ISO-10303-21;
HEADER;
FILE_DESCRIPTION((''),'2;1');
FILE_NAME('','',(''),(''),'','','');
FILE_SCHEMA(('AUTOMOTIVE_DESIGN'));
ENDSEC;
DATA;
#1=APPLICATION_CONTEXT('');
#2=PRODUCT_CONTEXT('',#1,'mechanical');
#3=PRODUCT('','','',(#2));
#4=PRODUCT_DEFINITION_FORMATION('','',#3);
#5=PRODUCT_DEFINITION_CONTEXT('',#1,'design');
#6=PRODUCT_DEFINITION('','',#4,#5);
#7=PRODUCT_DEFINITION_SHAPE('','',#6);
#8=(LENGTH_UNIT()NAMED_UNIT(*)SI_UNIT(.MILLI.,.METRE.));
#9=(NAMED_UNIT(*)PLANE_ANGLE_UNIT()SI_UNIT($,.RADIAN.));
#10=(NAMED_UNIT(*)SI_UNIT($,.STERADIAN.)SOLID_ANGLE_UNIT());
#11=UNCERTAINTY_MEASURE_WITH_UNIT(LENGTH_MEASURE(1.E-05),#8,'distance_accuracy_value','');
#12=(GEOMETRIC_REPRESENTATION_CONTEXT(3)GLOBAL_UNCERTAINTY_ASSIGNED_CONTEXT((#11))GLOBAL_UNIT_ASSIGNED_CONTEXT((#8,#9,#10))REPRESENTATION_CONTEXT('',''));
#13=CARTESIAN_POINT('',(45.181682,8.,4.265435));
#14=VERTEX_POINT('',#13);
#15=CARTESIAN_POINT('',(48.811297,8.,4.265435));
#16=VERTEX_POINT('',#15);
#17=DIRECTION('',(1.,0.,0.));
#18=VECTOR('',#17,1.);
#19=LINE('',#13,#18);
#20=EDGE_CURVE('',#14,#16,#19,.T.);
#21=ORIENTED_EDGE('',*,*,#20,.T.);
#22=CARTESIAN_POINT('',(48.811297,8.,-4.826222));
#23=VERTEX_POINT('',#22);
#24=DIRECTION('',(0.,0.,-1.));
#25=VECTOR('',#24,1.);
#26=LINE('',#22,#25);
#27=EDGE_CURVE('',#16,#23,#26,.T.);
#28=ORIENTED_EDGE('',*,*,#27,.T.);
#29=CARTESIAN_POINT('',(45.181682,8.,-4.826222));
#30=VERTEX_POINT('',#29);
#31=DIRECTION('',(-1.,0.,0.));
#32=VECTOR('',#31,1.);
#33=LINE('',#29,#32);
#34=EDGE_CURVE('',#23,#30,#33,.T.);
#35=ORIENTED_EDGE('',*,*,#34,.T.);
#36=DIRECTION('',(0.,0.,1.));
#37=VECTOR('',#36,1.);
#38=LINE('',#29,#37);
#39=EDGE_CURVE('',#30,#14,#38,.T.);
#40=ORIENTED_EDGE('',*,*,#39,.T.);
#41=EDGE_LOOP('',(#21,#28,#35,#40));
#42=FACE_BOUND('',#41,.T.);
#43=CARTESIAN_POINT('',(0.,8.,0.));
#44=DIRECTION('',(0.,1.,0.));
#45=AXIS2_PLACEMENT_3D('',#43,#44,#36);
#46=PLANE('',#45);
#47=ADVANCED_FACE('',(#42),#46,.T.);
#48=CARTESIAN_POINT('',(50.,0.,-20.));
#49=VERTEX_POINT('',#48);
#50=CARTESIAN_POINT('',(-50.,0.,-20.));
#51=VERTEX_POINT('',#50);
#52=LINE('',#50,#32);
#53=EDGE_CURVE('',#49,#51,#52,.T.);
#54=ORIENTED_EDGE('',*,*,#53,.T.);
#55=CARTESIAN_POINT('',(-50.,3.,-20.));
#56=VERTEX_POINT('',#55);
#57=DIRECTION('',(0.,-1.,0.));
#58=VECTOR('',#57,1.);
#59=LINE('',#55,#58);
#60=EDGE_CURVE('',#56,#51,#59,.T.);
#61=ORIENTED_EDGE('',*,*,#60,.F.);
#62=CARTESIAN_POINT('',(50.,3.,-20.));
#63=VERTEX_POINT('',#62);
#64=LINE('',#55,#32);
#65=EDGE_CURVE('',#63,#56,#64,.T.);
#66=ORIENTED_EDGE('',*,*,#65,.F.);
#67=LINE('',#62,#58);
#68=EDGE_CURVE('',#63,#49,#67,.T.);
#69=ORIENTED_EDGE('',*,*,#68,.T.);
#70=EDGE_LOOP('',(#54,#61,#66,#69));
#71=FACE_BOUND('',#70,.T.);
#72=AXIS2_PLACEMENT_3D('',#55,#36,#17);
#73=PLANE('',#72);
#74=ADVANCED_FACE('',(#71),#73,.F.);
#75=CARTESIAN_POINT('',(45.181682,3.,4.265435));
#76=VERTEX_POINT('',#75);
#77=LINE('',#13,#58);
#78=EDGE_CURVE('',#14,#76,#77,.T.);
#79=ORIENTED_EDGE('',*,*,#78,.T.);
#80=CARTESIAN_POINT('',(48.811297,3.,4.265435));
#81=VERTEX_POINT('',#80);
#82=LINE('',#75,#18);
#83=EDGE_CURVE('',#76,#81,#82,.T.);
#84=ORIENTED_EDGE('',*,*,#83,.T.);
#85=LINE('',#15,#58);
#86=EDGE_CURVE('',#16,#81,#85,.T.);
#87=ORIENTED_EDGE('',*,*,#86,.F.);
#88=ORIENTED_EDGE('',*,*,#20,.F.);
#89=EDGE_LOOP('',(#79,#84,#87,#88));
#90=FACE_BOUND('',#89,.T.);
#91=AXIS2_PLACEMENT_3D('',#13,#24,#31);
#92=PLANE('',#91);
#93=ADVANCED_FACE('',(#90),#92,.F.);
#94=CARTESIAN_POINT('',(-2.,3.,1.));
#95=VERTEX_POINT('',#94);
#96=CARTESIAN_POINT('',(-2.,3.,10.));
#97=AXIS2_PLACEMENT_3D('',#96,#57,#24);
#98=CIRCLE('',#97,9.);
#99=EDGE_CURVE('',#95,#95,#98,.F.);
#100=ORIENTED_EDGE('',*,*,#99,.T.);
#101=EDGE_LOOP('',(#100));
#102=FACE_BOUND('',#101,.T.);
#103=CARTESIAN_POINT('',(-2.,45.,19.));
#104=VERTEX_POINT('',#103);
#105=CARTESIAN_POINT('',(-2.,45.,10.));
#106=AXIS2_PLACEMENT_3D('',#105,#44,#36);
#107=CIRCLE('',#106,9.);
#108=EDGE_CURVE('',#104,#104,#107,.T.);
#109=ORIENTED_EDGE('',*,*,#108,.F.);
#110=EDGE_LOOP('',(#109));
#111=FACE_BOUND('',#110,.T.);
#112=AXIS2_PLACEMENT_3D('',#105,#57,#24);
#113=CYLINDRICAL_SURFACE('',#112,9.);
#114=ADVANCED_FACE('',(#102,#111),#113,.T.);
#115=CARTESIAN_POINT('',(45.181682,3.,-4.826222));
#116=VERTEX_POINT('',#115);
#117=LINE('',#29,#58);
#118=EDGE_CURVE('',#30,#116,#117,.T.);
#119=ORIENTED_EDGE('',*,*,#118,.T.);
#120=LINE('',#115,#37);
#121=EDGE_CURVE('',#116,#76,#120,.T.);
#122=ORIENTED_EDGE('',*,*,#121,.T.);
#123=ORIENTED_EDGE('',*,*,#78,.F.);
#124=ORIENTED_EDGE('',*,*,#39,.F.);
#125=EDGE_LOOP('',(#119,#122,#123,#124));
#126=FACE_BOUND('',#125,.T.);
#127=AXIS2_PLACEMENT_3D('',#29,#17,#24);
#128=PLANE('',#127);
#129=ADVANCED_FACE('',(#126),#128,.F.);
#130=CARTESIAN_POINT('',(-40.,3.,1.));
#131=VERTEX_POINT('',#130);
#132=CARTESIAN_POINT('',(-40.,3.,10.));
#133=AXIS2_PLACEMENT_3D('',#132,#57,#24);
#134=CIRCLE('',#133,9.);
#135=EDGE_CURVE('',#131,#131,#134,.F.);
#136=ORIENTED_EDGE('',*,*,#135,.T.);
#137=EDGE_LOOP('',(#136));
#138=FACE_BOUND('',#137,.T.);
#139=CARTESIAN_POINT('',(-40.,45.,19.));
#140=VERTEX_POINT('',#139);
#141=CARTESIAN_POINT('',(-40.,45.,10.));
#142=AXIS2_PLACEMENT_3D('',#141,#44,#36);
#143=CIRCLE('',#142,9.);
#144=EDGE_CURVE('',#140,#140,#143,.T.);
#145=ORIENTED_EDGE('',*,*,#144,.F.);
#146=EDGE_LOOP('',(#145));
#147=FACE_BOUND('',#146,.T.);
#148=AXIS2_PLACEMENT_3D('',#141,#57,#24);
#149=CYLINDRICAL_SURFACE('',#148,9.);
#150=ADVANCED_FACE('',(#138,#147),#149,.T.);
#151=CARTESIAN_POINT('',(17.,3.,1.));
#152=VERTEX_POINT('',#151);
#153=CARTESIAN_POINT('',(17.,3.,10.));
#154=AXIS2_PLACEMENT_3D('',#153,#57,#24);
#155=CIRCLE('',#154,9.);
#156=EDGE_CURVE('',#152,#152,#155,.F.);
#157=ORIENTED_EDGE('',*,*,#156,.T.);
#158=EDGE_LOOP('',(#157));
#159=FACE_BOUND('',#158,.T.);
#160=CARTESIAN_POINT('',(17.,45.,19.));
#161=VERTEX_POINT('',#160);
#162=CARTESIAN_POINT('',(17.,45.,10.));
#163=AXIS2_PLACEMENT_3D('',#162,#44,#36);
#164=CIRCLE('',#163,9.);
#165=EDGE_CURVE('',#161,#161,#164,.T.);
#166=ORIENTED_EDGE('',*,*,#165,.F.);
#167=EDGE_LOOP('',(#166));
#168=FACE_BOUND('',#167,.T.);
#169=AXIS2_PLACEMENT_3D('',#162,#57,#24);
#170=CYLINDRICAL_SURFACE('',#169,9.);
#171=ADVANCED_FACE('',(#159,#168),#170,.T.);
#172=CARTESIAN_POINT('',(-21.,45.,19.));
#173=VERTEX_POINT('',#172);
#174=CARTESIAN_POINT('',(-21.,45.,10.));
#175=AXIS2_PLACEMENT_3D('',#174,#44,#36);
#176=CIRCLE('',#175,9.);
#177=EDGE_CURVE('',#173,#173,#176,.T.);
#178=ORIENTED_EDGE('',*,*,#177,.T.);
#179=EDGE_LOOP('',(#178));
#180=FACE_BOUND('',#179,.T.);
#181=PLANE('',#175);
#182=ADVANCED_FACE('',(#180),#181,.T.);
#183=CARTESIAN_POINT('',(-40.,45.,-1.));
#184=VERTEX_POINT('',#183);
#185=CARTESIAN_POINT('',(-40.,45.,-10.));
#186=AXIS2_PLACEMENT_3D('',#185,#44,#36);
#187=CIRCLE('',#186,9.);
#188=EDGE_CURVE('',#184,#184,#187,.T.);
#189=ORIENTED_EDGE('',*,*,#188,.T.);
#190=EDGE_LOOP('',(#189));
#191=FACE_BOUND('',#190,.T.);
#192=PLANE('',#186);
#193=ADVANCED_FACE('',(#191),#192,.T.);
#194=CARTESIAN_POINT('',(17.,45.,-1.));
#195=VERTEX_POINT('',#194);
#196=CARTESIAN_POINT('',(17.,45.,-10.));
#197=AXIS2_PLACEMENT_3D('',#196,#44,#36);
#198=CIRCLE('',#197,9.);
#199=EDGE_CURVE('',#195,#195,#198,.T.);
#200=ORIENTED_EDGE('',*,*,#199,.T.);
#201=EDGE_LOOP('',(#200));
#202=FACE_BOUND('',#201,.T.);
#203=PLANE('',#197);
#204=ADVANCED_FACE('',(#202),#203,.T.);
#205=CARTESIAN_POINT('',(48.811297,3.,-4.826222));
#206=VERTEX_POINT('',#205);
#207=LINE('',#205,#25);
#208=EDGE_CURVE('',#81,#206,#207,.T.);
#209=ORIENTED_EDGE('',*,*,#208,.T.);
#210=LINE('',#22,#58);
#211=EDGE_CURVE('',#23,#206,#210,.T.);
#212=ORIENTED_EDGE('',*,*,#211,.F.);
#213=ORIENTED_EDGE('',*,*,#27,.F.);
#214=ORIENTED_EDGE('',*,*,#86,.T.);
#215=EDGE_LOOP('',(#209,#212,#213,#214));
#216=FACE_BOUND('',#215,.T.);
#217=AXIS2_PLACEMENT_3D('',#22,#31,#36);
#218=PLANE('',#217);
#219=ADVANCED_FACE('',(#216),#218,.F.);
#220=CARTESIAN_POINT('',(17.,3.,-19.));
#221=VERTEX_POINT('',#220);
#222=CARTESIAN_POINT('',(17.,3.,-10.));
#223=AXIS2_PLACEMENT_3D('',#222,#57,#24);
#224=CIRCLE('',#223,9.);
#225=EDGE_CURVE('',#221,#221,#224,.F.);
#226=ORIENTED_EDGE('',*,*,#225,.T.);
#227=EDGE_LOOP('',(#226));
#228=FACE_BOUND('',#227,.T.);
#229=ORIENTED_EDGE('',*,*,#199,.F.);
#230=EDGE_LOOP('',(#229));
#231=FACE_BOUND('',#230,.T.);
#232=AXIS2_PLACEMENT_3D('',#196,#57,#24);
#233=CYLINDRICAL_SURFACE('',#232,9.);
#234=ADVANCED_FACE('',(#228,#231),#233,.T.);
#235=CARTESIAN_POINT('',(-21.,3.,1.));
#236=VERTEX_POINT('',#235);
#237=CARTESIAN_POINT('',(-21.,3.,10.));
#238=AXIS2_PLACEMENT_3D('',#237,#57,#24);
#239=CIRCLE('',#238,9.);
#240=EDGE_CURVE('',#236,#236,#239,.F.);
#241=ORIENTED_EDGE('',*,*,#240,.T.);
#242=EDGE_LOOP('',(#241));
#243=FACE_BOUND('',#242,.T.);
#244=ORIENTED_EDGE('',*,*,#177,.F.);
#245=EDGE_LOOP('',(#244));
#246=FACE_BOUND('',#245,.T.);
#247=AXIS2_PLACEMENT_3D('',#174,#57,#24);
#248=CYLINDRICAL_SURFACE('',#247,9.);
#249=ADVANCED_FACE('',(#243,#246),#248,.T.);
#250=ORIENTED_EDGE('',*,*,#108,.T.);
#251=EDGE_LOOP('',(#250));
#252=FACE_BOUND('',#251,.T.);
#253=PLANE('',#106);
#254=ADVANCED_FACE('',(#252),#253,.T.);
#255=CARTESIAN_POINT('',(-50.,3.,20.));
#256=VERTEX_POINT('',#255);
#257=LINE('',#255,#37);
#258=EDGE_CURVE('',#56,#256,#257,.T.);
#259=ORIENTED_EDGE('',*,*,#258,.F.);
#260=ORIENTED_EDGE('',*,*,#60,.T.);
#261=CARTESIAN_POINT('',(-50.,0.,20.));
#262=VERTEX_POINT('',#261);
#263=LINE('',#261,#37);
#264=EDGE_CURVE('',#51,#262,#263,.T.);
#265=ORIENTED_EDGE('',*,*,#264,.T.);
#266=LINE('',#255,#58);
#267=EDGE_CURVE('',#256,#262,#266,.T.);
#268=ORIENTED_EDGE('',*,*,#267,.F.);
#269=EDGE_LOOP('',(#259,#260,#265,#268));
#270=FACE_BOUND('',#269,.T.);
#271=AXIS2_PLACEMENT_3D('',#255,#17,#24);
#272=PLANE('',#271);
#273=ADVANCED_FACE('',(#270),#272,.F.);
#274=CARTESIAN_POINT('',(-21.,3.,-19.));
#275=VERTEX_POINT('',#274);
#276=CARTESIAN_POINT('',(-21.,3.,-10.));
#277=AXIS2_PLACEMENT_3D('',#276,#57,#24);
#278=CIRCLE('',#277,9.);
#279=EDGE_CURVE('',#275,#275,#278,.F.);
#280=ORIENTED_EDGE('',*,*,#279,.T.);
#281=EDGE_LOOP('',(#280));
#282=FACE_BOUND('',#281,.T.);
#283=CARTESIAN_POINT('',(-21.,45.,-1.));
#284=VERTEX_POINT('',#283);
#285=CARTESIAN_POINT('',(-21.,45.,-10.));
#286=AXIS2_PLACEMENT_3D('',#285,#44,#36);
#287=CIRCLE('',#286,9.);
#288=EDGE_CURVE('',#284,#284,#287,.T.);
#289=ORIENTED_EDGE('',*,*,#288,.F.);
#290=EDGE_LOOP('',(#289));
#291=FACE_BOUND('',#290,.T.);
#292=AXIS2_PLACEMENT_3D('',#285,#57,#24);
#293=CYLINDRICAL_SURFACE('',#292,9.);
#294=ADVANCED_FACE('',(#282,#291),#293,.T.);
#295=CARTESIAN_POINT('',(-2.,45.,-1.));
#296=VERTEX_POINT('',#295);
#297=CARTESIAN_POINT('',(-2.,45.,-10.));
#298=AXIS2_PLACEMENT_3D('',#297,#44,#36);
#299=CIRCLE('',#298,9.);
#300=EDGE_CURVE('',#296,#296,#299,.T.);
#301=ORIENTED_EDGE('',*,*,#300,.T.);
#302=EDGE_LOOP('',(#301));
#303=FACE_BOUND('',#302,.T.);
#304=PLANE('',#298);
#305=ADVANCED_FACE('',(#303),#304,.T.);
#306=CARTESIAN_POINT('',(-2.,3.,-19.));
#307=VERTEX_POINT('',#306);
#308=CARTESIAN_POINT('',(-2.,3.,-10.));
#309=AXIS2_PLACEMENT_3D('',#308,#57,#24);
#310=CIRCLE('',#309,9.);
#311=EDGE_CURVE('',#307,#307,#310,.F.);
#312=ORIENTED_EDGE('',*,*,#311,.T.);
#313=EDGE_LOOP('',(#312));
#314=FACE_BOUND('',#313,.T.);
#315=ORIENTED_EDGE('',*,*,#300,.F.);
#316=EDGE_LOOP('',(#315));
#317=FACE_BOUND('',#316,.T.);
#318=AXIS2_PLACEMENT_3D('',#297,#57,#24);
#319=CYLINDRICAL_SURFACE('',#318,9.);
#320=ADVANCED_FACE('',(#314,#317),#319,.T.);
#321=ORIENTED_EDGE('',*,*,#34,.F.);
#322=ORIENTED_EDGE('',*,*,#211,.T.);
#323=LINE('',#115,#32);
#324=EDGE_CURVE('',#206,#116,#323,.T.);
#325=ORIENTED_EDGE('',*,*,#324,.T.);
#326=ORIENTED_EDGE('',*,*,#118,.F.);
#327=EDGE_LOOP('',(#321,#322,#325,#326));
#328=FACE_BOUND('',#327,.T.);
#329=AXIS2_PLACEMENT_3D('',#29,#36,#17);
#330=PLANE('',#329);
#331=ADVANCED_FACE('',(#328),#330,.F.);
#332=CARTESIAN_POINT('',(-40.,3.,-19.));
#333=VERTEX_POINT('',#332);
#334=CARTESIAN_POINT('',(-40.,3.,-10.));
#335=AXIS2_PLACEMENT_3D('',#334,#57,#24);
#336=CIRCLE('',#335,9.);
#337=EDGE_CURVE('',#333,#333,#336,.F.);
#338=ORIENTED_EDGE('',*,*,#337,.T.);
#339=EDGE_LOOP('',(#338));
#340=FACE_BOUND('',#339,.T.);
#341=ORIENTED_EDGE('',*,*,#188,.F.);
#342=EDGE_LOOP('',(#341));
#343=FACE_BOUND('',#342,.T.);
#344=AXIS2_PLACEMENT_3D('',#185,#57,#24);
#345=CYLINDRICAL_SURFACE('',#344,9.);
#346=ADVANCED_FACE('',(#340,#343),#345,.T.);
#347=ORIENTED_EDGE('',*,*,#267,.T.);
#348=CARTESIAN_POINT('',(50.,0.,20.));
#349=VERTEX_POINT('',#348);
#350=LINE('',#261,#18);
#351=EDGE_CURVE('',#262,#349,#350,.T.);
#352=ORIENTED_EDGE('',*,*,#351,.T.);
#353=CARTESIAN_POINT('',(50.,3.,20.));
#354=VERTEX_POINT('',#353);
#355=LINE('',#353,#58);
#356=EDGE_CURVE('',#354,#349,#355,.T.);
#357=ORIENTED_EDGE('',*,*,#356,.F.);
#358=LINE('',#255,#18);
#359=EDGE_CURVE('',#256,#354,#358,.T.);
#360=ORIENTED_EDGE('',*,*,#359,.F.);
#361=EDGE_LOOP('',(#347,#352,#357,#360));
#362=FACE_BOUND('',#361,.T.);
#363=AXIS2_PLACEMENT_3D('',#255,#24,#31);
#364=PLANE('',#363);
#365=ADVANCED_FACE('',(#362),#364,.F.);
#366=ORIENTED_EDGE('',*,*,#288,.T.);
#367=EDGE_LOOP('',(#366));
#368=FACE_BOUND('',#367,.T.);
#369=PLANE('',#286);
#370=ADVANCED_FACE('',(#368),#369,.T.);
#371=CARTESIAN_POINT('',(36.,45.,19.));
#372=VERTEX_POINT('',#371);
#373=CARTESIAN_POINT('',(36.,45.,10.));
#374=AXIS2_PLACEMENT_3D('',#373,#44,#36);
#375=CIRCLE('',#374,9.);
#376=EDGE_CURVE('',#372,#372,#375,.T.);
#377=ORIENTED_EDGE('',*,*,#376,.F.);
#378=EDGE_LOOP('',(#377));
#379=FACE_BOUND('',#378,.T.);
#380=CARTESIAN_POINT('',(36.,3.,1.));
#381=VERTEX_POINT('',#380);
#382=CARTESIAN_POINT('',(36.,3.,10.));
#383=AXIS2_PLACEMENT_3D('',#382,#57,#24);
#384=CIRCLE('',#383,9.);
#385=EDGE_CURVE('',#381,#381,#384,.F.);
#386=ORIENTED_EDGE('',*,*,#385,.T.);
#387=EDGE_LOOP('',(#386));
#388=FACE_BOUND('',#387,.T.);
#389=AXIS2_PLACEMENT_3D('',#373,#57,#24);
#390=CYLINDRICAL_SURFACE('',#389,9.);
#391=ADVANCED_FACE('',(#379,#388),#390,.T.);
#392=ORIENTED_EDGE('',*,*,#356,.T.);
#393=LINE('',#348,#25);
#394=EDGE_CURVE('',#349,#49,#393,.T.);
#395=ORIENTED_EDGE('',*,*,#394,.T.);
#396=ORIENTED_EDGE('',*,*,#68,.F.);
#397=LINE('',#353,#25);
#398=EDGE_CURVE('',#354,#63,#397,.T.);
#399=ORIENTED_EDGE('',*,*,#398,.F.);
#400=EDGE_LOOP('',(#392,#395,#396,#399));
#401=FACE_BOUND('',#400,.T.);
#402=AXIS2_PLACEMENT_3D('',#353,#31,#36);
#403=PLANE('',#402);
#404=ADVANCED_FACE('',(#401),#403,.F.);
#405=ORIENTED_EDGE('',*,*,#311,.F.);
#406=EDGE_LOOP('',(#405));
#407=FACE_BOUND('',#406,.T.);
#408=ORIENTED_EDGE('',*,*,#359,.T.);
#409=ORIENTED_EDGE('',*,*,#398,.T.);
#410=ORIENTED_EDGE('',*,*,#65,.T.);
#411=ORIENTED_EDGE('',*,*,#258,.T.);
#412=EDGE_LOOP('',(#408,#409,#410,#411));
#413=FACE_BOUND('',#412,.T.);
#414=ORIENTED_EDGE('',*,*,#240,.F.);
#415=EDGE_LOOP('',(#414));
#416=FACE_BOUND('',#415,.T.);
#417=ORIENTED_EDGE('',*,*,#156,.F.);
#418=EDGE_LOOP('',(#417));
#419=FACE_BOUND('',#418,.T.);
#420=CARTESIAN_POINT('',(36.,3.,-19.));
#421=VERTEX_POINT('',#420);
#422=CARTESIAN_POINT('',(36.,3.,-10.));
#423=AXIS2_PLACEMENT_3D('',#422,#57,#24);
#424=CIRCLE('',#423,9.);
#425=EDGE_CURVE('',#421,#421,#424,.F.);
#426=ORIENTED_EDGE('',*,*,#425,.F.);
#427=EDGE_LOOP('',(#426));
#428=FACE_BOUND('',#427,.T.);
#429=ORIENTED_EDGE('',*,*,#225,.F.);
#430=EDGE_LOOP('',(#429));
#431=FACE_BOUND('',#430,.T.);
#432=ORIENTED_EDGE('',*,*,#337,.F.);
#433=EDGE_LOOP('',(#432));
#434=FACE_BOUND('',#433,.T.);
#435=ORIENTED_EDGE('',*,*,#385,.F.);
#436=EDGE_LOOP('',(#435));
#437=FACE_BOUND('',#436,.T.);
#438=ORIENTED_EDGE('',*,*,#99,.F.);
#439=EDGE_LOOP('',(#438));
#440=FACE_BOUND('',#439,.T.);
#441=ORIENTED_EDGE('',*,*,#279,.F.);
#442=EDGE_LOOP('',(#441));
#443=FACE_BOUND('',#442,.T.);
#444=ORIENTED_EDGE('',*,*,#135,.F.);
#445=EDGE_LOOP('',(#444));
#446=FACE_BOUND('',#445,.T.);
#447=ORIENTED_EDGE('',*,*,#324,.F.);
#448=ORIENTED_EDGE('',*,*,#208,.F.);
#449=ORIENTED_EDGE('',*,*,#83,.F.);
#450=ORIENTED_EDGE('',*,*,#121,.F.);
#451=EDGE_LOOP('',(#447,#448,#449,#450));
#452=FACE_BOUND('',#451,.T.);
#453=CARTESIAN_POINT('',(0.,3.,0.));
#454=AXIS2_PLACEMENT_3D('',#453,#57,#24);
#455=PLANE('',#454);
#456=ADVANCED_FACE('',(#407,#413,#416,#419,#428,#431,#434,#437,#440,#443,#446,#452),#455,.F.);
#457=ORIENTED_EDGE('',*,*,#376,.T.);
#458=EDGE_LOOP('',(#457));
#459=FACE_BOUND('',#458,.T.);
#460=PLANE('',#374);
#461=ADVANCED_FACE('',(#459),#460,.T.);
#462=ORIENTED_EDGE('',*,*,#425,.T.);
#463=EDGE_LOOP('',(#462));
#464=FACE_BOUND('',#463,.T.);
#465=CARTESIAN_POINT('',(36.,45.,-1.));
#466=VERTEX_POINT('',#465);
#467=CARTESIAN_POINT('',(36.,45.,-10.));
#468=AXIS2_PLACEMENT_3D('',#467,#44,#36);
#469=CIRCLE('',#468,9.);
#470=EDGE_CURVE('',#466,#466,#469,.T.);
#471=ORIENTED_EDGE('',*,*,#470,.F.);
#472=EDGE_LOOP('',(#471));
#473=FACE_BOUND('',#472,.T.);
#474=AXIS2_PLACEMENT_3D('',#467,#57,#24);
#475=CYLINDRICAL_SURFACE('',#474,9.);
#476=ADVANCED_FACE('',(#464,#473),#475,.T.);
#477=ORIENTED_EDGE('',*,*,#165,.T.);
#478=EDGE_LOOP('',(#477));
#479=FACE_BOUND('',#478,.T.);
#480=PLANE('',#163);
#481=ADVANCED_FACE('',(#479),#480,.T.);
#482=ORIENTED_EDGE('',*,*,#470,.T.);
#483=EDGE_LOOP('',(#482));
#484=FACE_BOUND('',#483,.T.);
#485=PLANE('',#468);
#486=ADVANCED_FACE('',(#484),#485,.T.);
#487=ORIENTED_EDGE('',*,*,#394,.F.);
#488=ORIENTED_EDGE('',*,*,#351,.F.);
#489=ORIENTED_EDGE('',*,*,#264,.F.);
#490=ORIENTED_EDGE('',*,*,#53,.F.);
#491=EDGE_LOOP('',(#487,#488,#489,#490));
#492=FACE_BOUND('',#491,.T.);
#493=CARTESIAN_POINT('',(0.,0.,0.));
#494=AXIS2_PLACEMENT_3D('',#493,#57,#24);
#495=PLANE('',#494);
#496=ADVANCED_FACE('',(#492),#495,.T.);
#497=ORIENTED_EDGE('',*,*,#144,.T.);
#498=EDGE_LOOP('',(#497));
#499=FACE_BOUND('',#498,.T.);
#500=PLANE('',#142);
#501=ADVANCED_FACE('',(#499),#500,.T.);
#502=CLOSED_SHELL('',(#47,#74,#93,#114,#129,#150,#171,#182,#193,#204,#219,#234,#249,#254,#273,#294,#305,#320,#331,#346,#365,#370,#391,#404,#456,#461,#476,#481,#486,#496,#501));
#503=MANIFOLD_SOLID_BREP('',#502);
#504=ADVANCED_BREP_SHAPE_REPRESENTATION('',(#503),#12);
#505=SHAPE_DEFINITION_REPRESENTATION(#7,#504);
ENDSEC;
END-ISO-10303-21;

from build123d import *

# Parameters (mm, degrees)
SKETCH_1_W      = 100
SKETCH_1_H      = 40
EXTRUDE_2_DEPTH = 3
SKETCH_2_R      = 9
EXTRUDE_3_DEPTH = 42
SKETCH_3_W      = 3.629615038
SKETCH_3_H      = 9.091657085
EXTRUDE_4_DEPTH = 5


with BuildPart() as part:
    # 草图1 → 凸台-拉伸2 (new body)
    with BuildSketch(Plane(origin=(0, 0, 0), x_dir=(1, 0, 0), z_dir=(0, 1, 0))):
        Rectangle(SKETCH_1_W, SKETCH_1_H)
    extrude(amount=EXTRUDE_2_DEPTH)

    # 草图2 → 凸台-拉伸3 (add)
    with BuildSketch(Plane(origin=(0, 3, 0), x_dir=(1, 0, 0), z_dir=(0, 1, 0))):
        with Locations((-40, -10)):
            Circle(SKETCH_2_R)
        with Locations((-21, -10)):
            Circle(SKETCH_2_R)
        with Locations((-2, -10)):
            Circle(SKETCH_2_R)
        with Locations((17, -10)):
            Circle(SKETCH_2_R)
        with Locations((36, -10)):
            Circle(SKETCH_2_R)
        with Locations((-21, 10)):
            Circle(SKETCH_2_R)
        with Locations((-2, 10)):
            Circle(SKETCH_2_R)
        with Locations((17, 10)):
            Circle(SKETCH_2_R)
        with Locations((36, 10)):
            Circle(SKETCH_2_R)
        with Locations((-40, 10)):
            Circle(SKETCH_2_R)
    extrude(amount=EXTRUDE_3_DEPTH)

    # 草图3 → 凸台-拉伸4 (add)
    with BuildSketch(Plane(origin=(0, 3, 0), x_dir=(1, 0, 0), z_dir=(0, 1, 0))):
        with Locations((46.996489689, 0.280393631)):
            Rectangle(SKETCH_3_W, SKETCH_3_H)
    extrude(amount=EXTRUDE_4_DEPTH)


solid = part.part
